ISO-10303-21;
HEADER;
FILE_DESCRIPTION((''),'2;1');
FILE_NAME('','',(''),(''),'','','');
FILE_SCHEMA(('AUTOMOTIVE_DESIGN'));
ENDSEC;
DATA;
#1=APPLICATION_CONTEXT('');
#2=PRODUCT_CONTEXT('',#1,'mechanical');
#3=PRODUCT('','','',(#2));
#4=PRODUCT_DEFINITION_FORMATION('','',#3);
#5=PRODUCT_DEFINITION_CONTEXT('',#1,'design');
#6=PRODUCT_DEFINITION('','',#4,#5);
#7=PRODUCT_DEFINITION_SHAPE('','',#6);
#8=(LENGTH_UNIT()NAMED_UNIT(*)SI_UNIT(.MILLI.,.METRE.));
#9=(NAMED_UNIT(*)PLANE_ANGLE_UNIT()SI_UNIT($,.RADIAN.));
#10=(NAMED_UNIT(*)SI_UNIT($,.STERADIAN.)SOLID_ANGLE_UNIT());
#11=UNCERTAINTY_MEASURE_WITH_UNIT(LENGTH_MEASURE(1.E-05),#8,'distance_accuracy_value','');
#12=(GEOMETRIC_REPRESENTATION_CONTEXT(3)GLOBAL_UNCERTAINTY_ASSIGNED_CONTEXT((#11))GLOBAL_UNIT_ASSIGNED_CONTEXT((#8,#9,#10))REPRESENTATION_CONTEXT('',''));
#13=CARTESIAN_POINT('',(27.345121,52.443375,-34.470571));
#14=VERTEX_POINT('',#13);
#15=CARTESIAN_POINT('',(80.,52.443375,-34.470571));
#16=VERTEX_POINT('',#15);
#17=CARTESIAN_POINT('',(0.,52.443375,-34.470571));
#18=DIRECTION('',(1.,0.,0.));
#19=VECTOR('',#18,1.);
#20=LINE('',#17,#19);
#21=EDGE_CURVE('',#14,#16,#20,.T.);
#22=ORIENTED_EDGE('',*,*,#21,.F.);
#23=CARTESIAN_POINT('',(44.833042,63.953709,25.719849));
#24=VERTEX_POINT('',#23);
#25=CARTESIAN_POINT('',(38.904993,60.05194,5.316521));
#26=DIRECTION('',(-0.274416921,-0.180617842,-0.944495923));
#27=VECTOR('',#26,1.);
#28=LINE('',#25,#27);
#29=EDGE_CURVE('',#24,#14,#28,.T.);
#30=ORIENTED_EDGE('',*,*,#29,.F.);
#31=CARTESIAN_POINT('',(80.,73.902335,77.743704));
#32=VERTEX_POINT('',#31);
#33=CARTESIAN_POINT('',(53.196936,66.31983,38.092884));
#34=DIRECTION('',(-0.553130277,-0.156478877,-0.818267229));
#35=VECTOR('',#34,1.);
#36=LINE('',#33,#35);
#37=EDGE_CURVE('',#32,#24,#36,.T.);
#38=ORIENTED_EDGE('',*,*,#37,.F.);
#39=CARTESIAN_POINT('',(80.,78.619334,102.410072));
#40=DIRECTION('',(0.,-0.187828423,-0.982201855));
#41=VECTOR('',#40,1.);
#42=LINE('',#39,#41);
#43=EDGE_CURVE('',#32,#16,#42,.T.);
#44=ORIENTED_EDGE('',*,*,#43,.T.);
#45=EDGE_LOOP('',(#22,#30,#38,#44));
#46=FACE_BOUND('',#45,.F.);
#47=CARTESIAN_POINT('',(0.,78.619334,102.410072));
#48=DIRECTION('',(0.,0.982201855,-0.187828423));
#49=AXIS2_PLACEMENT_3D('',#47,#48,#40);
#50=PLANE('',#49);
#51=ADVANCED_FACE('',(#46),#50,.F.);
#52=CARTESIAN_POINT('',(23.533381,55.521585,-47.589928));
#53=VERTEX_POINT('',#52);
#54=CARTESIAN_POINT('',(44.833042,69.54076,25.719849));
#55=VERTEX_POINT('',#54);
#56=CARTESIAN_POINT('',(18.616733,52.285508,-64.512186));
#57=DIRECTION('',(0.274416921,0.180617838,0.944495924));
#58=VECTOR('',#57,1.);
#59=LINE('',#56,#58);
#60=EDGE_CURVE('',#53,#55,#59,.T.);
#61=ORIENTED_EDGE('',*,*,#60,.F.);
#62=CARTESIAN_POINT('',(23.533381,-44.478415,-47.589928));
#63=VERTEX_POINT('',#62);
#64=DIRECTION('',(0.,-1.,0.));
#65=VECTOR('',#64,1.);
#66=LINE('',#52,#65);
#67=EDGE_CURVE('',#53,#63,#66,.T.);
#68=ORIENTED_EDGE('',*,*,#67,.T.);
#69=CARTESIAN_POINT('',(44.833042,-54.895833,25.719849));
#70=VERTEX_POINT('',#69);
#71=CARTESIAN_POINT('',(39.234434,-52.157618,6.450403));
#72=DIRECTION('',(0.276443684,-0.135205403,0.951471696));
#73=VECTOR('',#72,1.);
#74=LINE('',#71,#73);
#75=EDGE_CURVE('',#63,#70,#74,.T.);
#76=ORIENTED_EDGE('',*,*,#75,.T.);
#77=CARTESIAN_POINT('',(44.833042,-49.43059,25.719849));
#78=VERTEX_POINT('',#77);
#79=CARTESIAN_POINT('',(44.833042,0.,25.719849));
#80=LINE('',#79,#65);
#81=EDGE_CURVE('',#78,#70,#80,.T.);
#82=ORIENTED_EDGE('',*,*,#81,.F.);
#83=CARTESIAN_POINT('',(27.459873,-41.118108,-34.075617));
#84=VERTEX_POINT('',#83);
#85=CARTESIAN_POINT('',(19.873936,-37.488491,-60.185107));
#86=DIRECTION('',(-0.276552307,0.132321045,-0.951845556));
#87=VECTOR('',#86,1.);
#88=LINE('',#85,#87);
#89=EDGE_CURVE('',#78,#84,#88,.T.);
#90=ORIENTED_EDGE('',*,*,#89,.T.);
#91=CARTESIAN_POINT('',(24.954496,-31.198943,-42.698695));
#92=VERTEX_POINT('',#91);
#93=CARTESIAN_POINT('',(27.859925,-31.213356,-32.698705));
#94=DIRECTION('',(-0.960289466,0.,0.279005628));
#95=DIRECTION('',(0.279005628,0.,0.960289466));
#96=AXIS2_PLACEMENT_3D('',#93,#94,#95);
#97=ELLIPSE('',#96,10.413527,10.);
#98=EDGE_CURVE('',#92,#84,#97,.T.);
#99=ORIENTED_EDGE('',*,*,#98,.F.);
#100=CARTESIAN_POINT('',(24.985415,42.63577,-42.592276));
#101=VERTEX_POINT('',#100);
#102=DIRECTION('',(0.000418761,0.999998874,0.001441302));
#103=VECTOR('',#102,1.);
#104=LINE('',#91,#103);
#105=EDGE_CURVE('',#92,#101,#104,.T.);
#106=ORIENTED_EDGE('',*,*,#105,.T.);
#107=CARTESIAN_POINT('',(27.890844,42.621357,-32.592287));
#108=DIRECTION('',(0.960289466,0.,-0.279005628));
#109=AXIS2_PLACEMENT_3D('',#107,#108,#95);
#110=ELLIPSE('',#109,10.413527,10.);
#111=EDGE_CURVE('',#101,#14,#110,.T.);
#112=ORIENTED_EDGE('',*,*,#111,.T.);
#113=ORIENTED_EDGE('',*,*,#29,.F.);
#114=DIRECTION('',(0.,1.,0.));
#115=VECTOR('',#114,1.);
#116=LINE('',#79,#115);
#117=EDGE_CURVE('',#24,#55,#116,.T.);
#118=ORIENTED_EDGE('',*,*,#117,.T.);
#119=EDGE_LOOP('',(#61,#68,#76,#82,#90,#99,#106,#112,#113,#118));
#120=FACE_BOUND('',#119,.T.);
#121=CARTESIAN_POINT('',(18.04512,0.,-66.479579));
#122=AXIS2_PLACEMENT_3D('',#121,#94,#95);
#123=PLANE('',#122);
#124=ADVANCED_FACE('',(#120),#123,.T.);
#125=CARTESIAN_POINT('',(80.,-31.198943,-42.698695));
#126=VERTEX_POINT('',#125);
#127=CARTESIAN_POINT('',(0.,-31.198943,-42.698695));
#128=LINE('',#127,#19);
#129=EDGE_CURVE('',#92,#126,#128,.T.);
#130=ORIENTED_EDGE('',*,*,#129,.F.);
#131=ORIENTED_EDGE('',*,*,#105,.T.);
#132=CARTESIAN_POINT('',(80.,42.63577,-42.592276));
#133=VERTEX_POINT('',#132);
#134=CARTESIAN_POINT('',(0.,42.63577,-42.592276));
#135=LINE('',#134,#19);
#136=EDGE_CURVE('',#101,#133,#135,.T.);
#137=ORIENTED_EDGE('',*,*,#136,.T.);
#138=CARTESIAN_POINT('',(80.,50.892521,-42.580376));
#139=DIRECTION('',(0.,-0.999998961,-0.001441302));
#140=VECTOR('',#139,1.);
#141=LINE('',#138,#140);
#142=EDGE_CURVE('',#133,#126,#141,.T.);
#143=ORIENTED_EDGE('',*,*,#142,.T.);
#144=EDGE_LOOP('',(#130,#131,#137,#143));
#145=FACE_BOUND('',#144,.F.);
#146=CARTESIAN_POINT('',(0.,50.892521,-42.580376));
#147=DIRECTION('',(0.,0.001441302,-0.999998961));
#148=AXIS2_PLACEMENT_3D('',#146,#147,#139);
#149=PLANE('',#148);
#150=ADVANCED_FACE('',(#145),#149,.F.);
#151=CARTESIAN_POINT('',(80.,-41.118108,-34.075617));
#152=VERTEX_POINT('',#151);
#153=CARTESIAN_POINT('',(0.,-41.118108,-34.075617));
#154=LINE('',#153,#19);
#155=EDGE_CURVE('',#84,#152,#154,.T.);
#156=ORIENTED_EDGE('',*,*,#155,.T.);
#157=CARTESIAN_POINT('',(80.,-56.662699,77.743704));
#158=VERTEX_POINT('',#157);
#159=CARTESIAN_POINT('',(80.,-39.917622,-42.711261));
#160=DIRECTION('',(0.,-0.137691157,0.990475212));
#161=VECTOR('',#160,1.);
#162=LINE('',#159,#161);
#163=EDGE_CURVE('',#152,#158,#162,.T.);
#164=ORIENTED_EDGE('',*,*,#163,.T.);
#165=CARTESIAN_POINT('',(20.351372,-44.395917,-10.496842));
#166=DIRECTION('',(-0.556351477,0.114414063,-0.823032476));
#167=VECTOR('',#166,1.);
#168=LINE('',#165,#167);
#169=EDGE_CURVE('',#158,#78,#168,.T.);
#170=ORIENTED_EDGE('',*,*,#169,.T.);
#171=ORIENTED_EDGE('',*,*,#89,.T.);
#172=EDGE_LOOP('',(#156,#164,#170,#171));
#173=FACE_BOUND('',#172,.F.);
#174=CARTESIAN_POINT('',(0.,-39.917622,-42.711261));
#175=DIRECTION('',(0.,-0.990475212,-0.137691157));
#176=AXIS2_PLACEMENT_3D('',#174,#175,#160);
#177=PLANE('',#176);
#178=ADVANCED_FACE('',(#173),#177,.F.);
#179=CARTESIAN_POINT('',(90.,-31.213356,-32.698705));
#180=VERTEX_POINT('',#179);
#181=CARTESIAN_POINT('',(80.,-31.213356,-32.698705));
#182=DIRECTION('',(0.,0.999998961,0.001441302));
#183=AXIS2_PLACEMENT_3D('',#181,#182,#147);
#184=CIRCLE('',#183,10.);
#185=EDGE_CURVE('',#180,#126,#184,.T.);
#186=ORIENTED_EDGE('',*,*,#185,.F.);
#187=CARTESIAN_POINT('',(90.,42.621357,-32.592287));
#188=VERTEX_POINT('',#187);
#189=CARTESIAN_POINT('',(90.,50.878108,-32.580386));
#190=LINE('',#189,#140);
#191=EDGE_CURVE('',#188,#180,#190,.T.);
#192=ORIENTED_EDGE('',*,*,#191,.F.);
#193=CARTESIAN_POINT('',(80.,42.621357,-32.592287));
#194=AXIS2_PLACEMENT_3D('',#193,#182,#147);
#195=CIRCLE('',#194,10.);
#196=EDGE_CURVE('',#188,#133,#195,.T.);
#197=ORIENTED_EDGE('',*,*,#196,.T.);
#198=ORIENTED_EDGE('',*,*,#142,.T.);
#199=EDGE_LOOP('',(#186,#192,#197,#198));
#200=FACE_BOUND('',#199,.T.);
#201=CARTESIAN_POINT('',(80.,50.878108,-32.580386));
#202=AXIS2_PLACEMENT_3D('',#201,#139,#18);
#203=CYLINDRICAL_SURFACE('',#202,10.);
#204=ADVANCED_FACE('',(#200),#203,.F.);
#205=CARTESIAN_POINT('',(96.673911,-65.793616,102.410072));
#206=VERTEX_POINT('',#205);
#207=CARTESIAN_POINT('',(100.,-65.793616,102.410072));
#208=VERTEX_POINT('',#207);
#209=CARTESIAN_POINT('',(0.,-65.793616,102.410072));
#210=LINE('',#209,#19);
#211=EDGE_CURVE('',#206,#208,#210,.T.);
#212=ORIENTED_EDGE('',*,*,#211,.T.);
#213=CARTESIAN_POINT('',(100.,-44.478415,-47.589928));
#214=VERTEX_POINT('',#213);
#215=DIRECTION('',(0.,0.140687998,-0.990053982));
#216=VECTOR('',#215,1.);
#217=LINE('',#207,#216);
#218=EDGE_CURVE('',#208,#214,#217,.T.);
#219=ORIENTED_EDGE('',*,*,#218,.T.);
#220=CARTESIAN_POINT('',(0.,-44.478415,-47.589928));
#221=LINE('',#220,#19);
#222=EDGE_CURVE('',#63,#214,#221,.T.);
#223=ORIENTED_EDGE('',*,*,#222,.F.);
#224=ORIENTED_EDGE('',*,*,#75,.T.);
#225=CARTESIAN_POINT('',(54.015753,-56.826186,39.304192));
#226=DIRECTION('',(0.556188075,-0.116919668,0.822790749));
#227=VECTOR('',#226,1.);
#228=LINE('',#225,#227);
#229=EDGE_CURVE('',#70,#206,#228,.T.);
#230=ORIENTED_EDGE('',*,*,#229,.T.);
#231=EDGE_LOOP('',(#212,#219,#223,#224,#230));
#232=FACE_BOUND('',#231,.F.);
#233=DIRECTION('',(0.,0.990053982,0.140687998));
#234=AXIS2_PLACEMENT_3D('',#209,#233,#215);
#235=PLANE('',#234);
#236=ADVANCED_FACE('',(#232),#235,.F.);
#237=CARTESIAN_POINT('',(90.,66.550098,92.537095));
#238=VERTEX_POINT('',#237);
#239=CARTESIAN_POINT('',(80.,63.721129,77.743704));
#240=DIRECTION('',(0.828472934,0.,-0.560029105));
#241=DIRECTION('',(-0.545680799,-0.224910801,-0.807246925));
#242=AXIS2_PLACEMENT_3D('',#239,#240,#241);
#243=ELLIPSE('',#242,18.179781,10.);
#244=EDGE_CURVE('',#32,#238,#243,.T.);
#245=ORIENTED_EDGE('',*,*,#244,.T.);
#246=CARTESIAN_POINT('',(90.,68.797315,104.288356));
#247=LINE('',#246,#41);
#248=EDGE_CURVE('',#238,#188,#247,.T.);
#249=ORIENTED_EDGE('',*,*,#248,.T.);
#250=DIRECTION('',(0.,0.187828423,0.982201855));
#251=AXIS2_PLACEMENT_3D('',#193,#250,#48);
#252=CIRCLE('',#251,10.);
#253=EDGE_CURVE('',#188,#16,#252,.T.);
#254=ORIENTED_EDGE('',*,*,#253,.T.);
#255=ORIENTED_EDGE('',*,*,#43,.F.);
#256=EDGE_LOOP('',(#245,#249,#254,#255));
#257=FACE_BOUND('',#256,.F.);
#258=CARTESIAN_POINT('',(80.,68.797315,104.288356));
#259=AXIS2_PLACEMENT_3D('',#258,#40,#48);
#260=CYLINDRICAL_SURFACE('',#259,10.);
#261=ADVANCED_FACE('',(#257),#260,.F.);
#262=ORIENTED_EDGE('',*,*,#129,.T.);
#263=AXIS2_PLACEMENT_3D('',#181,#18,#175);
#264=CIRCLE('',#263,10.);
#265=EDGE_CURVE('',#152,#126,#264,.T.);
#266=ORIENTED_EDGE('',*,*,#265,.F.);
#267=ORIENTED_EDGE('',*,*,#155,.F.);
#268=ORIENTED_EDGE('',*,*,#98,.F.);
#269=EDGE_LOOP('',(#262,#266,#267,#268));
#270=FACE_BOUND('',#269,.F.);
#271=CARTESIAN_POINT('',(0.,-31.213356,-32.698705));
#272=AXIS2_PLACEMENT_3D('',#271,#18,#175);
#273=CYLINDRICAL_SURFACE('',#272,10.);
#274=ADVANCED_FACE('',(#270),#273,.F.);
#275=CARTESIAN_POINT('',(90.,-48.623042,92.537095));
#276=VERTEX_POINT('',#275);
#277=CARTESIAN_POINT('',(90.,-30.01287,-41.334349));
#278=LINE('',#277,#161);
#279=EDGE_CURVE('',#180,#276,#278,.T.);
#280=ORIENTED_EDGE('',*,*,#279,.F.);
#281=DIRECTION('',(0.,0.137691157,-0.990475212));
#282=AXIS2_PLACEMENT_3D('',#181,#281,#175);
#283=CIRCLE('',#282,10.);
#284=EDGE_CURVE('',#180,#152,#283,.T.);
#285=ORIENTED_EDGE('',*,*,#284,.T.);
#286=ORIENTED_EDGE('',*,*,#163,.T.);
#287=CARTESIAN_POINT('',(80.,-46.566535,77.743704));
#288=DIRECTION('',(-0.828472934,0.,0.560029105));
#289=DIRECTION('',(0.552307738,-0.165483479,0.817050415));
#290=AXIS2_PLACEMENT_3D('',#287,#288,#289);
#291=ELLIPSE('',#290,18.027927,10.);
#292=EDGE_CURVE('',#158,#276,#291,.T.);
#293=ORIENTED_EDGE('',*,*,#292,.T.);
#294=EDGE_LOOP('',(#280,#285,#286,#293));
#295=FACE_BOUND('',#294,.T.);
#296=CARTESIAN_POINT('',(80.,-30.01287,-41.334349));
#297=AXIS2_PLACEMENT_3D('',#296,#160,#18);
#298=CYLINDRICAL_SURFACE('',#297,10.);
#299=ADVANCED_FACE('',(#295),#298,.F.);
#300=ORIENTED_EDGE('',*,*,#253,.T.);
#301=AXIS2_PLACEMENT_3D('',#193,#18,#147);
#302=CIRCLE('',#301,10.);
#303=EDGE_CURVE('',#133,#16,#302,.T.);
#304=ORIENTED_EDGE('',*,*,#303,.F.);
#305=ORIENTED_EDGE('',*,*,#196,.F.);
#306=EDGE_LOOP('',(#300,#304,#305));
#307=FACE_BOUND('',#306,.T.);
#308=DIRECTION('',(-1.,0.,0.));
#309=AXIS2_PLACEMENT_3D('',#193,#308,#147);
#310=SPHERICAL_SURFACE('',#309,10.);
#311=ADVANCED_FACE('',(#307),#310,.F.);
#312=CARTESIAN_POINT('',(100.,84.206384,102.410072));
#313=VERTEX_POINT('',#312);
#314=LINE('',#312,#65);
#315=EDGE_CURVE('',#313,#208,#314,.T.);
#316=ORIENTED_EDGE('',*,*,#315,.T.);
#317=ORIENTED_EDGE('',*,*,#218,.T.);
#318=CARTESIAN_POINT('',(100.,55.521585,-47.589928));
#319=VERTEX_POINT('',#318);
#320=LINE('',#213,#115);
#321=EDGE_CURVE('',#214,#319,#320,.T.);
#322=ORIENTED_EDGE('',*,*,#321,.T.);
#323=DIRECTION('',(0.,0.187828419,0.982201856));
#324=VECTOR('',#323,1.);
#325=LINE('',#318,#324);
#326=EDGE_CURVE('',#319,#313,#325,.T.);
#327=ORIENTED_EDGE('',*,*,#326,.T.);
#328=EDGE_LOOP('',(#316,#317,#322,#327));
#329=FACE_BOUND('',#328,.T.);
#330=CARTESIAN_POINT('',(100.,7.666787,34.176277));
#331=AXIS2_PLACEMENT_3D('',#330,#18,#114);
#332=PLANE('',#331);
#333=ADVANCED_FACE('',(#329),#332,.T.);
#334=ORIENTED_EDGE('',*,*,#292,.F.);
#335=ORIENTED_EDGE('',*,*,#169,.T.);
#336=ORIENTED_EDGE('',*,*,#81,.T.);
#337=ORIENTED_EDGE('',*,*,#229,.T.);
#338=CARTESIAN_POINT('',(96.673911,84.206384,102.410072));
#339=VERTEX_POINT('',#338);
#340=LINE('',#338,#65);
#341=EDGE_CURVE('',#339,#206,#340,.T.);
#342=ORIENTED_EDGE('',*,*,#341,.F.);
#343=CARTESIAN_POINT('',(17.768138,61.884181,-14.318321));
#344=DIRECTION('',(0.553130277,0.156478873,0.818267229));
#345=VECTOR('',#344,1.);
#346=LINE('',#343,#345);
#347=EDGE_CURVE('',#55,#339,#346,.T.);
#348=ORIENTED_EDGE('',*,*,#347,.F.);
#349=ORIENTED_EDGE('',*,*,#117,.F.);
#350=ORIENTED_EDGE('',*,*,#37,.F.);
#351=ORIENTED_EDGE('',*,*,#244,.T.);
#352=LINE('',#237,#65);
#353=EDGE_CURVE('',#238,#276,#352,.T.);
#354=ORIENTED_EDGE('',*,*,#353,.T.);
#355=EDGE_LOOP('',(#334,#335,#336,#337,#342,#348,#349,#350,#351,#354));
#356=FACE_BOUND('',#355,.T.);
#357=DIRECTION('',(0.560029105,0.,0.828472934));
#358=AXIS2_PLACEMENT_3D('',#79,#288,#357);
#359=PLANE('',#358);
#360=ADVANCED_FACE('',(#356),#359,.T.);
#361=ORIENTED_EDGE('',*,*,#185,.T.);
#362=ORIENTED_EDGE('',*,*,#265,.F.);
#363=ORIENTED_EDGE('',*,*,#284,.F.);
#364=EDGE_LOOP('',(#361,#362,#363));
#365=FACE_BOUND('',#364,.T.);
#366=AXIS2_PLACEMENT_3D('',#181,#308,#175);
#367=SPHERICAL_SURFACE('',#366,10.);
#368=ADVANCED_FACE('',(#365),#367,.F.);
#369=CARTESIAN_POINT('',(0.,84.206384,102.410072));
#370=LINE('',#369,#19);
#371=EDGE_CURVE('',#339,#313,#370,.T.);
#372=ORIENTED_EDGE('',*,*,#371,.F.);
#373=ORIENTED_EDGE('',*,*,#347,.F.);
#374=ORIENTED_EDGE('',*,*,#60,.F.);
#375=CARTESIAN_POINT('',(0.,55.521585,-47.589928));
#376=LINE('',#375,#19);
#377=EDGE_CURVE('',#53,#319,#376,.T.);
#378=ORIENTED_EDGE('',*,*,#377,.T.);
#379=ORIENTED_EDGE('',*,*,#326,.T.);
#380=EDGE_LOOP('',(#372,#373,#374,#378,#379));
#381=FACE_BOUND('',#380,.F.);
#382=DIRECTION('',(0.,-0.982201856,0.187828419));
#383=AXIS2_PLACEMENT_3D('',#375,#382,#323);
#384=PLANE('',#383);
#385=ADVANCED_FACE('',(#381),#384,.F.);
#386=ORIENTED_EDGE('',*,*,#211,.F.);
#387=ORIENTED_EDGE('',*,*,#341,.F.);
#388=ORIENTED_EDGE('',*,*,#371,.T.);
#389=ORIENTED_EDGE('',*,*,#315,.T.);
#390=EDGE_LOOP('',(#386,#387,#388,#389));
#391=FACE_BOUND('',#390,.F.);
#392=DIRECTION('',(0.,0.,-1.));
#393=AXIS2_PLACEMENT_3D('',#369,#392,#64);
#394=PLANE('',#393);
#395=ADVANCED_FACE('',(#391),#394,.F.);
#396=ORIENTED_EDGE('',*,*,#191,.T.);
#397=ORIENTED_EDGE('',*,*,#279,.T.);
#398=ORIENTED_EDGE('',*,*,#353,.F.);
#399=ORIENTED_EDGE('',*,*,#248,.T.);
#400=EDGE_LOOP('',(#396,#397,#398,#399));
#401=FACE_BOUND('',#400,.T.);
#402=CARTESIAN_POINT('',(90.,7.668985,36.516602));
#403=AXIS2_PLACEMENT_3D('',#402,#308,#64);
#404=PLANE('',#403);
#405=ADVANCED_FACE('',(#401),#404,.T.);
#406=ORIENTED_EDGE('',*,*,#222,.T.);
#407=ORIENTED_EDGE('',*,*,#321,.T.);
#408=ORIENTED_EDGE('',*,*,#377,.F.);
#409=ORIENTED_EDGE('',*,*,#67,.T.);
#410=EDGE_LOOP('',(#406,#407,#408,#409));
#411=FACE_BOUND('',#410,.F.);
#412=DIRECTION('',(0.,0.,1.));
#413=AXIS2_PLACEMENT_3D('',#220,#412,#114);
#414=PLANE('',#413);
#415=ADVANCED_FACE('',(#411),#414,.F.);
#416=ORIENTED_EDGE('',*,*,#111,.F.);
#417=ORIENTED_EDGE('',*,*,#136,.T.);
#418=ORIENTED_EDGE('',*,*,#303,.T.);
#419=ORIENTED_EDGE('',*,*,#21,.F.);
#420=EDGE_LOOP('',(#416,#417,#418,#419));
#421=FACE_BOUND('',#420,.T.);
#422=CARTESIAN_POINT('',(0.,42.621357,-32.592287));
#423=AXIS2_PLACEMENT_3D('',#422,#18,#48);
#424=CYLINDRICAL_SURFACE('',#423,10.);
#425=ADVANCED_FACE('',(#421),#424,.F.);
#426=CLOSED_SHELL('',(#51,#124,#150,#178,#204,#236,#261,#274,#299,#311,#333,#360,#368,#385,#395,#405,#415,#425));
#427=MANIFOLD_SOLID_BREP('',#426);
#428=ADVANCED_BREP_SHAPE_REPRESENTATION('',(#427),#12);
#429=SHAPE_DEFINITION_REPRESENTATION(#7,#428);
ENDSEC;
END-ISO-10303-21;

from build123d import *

# Parameters (mm, degrees)
F1_DEPTH      = 100
F3_DEPTH      = 90
F4_R          = 10
F6_DEPTH      = 65.794616
F6_DEPTH_BACK = 84.207384


with BuildPart() as f1:
    # F0 (on Right) → F1 (new body)
    with BuildSketch(Plane.YZ):
        Polygon((84.206384, 102.410072), (-65.793616, 102.410072), (-44.478415, -47.589928), (55.521585, -47.589928), align=None)
    extrude(amount=F1_DEPTH)

    # F2 (on face) → F3 (cut)
    with BuildSketch(Plane(origin=(0, 0, 0), x_dir=(0, -1, 0), z_dir=(-1, 0, 0))):
        Polygon((60.0917, 102.410072), (-78.619334, 102.410072), (-50.892521, -42.580376), (39.917622, -42.711261), align=None)
    extrude(amount=-F3_DEPTH, mode=Mode.SUBTRACT)

    # F4
    f4_edges = [f1.edges().sort_by_distance(p)[0] for p in [
        (45, 50.892521, -42.580376),
        (90, 5.48745, -42.645818),
        (45, -39.917622, -42.711261),
        (90, 64.755927, 29.914848),
        (90, -50.004661, 29.849406),
    ]]
    fillet(f4_edges, radius=F4_R)

    # F5 (on Front) → F6 (cut, two sides)
    with BuildSketch(Plane.XZ) as f6_sk:
        Polygon((-27.018974, -66.479579), (18.04512, -66.479579), (44.833042, 25.719849), (101.288192, 109.236158), (-27.018974, 105.970137), align=None)
    extrude(amount=F6_DEPTH, mode=Mode.SUBTRACT)
    extrude(f6_sk.sketch, amount=-F6_DEPTH_BACK, mode=Mode.SUBTRACT)


solid = f1.part
